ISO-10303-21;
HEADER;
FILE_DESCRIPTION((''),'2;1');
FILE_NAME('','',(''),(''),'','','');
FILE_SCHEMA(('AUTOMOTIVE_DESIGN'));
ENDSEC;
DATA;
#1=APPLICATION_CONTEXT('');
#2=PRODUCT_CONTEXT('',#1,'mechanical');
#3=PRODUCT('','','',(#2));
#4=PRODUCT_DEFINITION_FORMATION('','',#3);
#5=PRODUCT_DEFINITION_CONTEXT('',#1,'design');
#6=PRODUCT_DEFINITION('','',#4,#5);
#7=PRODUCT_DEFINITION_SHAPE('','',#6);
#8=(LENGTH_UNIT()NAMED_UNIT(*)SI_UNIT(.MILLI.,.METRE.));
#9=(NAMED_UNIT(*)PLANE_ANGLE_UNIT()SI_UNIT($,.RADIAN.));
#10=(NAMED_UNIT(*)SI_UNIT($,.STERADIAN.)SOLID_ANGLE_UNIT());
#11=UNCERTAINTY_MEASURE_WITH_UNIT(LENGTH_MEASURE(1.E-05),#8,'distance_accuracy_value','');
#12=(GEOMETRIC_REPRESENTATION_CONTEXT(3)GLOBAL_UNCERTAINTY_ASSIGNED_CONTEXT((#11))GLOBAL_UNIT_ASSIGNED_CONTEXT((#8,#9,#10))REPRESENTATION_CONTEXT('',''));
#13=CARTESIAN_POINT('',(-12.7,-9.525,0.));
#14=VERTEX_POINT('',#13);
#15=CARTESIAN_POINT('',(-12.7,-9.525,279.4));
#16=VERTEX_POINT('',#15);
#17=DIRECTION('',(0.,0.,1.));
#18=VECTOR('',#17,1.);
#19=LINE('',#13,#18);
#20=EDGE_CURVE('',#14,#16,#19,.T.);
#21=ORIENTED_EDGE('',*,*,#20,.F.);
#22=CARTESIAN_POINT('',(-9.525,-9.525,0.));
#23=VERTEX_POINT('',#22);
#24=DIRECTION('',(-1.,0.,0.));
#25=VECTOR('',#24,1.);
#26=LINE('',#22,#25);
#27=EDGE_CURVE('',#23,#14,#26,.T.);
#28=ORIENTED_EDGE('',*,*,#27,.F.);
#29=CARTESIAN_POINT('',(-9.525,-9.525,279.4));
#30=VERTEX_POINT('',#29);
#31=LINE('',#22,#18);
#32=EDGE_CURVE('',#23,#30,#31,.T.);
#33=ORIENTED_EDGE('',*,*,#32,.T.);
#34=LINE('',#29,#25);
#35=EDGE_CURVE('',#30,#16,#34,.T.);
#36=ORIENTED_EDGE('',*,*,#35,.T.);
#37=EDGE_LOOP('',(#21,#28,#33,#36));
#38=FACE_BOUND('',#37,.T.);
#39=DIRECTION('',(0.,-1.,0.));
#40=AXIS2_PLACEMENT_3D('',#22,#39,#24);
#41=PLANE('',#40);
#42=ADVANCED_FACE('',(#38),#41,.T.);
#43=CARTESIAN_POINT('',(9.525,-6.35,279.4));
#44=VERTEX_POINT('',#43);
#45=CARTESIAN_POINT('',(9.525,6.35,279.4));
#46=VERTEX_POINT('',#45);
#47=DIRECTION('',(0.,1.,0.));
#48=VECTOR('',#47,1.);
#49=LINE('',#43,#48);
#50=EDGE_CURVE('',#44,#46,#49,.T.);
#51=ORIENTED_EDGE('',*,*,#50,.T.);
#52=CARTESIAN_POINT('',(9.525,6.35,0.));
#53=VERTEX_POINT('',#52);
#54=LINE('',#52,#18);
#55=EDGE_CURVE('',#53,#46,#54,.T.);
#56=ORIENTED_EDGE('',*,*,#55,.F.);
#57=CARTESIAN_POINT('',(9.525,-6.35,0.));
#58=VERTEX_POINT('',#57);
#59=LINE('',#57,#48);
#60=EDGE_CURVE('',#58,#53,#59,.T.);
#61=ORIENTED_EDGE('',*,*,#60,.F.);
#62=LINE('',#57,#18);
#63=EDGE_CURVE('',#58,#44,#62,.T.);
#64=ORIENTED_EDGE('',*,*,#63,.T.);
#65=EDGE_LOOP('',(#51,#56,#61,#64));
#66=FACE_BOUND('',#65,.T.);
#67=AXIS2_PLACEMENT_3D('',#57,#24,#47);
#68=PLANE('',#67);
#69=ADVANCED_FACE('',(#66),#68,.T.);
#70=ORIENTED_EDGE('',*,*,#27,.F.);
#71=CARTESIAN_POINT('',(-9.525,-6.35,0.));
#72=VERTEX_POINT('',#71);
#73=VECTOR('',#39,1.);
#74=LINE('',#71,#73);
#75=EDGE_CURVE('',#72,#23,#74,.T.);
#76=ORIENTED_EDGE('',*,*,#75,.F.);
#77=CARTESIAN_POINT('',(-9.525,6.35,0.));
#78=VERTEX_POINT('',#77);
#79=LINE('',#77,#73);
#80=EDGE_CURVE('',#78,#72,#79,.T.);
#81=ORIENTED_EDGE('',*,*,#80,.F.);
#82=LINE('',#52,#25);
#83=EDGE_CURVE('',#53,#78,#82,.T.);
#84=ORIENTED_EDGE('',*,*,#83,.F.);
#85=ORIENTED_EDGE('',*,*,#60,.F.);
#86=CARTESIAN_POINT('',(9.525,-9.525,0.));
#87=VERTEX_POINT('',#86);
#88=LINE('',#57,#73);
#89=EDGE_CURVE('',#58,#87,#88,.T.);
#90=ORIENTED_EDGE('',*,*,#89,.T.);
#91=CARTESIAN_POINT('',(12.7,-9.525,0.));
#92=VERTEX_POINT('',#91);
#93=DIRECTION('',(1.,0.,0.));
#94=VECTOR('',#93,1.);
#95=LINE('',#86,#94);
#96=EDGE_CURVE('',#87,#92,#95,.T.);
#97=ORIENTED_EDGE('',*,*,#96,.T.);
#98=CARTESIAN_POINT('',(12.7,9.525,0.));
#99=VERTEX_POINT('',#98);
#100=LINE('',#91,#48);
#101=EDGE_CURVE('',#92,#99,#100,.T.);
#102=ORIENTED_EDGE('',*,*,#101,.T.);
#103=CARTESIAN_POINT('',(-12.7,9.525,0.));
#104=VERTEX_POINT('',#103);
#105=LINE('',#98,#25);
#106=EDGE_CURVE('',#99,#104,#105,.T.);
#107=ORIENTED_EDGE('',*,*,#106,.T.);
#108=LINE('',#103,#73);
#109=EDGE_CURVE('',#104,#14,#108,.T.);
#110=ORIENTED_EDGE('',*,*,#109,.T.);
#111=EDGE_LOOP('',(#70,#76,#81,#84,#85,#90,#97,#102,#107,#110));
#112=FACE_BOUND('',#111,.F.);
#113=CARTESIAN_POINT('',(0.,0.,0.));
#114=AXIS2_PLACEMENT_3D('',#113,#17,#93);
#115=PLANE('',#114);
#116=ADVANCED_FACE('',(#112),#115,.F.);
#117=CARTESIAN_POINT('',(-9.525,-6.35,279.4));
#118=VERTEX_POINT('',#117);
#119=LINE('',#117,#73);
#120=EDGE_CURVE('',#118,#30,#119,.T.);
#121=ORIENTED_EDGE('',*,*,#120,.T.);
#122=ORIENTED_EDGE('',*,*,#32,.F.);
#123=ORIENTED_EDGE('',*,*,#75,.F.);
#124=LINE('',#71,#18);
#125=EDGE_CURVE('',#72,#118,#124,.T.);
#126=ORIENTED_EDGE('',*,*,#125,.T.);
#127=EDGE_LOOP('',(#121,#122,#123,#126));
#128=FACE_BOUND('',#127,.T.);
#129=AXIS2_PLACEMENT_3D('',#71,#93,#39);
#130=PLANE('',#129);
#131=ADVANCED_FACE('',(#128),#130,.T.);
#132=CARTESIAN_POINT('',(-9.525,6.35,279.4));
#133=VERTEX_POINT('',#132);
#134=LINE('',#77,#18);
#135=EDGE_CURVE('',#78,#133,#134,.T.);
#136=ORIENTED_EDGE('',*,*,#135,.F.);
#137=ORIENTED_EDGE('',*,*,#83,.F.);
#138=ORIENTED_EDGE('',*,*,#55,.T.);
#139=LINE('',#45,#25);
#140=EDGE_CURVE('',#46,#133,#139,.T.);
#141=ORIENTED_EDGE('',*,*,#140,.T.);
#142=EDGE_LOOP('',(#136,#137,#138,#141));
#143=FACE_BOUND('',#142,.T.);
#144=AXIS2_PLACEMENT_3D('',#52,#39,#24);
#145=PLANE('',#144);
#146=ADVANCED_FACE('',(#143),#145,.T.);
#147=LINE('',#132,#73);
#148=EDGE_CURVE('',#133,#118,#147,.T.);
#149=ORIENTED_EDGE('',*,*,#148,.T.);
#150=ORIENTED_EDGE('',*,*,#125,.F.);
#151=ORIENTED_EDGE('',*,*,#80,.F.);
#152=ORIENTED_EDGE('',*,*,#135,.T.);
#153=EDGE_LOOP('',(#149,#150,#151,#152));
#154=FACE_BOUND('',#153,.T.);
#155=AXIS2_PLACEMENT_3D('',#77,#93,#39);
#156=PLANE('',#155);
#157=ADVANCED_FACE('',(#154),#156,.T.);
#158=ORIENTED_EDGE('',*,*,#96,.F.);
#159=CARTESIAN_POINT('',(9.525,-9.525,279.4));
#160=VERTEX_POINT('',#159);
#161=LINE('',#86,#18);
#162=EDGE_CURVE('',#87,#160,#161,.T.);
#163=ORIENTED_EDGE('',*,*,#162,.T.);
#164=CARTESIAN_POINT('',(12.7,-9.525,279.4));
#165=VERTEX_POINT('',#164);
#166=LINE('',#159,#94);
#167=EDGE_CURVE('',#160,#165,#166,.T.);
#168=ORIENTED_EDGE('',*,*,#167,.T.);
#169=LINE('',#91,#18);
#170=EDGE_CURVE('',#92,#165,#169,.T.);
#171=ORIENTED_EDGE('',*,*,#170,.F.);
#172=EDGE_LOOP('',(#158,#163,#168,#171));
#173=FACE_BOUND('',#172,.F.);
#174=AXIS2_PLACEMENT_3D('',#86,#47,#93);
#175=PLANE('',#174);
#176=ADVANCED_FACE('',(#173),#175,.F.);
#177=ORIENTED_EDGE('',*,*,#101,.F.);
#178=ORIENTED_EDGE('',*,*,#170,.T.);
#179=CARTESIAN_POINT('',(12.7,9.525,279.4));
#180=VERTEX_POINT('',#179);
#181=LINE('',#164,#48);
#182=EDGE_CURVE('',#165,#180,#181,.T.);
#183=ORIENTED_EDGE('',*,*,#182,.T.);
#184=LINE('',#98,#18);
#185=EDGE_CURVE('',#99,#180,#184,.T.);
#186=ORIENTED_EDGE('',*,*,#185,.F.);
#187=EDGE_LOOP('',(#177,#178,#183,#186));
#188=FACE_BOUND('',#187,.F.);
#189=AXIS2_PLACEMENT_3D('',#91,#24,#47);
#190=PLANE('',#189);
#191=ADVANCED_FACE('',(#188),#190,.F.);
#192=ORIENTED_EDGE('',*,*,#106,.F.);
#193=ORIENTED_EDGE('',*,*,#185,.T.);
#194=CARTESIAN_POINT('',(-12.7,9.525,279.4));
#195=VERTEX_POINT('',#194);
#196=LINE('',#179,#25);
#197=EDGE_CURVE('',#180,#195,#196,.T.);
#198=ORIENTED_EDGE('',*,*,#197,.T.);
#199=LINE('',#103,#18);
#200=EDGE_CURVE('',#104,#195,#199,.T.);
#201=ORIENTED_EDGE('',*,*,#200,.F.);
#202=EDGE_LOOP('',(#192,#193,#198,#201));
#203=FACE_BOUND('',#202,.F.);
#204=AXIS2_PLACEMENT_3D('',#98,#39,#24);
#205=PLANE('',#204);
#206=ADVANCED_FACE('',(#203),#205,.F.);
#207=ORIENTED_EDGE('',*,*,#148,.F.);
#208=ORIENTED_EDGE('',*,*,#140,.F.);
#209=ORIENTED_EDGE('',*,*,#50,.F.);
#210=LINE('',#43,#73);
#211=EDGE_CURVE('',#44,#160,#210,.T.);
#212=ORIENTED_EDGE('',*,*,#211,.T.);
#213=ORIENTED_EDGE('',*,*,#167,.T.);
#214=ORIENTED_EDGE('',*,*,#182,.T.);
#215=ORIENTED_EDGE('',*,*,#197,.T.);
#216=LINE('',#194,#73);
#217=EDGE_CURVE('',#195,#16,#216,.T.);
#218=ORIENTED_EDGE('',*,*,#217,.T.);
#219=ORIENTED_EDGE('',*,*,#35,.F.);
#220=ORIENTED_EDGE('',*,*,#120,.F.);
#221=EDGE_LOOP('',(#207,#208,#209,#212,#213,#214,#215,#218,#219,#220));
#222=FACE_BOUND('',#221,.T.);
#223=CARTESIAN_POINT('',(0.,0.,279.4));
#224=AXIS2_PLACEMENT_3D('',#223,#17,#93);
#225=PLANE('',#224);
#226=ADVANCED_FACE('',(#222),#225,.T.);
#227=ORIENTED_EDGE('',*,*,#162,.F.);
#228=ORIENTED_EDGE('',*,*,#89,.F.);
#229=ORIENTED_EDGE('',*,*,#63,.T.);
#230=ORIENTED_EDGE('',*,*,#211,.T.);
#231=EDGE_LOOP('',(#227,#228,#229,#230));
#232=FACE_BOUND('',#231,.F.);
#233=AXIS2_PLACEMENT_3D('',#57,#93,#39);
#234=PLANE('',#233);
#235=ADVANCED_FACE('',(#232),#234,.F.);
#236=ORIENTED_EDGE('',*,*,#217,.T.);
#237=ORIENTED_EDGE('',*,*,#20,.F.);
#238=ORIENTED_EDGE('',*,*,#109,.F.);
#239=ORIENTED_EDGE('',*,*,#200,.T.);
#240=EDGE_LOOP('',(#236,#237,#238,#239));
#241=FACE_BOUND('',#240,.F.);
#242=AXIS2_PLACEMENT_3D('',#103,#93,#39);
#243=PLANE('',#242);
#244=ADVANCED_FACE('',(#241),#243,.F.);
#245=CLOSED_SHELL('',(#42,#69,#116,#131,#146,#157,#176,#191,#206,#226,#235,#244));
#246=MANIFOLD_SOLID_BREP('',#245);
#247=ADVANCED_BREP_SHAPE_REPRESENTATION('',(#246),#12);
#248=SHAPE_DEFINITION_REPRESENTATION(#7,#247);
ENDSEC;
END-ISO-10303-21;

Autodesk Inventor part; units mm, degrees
ref_plane "YZ Plane" through (0, 0, 0) normal (1, 0, 0) x (0, 1, 0)
ref_plane "XZ Plane" through (0, 0, 0) normal (0, 1, 0) x (-1, 0, 0)
ref_plane "XY Plane" through (0, 0, 0) normal (0, 0, 1) x (1, 0, 0)
sketch "Sketch1" plane through (0, 0, 0) normal (0, 0, 1) x (1, 0, 0)
  line L0 (12.7, -9.525) -> (12.7, 9.525)
  line L1 (12.7, 9.525) -> (-12.7, 9.525)
  line L2 (-12.7, 9.525) -> (-12.7, -9.525)
  line L3 (-12.7, -9.525) -> (12.7, 9.525) construction
  line L4 (12.7, -9.525) -> (-12.7, 9.525) construction
  line L5 (9.525, -6.35) -> (9.525, 6.35)
  line L6 (9.525, 6.35) -> (-9.525, 6.35)
  line L7 (-9.525, 6.35) -> (-9.525, -6.35)
  line L8 (-9.525, -6.35) -> (9.525, 6.35) construction
  line L9 (9.525, -6.35) -> (-9.525, 6.35) construction
  line L10 (-9.525, -6.35) -> (-9.525, -9.525)
  line L11 (-9.525, -9.525) -> (-12.7, -9.525)
  line L12 (9.525, -6.35) -> (9.525, -9.525)
  line L13 (9.525, -9.525) -> (12.7, -9.525)
  point P0 (0, 0)
  dimension "d0" = 25.4
  dimension "d1" = 19.05
  dimension "d4" = 19.05
  dimension "d5" = 12.7
  dimension "d6" = 90
extrude "Extrusion2" add sketch "Sketch1" along normal blind 279.4
properties part number "case"
